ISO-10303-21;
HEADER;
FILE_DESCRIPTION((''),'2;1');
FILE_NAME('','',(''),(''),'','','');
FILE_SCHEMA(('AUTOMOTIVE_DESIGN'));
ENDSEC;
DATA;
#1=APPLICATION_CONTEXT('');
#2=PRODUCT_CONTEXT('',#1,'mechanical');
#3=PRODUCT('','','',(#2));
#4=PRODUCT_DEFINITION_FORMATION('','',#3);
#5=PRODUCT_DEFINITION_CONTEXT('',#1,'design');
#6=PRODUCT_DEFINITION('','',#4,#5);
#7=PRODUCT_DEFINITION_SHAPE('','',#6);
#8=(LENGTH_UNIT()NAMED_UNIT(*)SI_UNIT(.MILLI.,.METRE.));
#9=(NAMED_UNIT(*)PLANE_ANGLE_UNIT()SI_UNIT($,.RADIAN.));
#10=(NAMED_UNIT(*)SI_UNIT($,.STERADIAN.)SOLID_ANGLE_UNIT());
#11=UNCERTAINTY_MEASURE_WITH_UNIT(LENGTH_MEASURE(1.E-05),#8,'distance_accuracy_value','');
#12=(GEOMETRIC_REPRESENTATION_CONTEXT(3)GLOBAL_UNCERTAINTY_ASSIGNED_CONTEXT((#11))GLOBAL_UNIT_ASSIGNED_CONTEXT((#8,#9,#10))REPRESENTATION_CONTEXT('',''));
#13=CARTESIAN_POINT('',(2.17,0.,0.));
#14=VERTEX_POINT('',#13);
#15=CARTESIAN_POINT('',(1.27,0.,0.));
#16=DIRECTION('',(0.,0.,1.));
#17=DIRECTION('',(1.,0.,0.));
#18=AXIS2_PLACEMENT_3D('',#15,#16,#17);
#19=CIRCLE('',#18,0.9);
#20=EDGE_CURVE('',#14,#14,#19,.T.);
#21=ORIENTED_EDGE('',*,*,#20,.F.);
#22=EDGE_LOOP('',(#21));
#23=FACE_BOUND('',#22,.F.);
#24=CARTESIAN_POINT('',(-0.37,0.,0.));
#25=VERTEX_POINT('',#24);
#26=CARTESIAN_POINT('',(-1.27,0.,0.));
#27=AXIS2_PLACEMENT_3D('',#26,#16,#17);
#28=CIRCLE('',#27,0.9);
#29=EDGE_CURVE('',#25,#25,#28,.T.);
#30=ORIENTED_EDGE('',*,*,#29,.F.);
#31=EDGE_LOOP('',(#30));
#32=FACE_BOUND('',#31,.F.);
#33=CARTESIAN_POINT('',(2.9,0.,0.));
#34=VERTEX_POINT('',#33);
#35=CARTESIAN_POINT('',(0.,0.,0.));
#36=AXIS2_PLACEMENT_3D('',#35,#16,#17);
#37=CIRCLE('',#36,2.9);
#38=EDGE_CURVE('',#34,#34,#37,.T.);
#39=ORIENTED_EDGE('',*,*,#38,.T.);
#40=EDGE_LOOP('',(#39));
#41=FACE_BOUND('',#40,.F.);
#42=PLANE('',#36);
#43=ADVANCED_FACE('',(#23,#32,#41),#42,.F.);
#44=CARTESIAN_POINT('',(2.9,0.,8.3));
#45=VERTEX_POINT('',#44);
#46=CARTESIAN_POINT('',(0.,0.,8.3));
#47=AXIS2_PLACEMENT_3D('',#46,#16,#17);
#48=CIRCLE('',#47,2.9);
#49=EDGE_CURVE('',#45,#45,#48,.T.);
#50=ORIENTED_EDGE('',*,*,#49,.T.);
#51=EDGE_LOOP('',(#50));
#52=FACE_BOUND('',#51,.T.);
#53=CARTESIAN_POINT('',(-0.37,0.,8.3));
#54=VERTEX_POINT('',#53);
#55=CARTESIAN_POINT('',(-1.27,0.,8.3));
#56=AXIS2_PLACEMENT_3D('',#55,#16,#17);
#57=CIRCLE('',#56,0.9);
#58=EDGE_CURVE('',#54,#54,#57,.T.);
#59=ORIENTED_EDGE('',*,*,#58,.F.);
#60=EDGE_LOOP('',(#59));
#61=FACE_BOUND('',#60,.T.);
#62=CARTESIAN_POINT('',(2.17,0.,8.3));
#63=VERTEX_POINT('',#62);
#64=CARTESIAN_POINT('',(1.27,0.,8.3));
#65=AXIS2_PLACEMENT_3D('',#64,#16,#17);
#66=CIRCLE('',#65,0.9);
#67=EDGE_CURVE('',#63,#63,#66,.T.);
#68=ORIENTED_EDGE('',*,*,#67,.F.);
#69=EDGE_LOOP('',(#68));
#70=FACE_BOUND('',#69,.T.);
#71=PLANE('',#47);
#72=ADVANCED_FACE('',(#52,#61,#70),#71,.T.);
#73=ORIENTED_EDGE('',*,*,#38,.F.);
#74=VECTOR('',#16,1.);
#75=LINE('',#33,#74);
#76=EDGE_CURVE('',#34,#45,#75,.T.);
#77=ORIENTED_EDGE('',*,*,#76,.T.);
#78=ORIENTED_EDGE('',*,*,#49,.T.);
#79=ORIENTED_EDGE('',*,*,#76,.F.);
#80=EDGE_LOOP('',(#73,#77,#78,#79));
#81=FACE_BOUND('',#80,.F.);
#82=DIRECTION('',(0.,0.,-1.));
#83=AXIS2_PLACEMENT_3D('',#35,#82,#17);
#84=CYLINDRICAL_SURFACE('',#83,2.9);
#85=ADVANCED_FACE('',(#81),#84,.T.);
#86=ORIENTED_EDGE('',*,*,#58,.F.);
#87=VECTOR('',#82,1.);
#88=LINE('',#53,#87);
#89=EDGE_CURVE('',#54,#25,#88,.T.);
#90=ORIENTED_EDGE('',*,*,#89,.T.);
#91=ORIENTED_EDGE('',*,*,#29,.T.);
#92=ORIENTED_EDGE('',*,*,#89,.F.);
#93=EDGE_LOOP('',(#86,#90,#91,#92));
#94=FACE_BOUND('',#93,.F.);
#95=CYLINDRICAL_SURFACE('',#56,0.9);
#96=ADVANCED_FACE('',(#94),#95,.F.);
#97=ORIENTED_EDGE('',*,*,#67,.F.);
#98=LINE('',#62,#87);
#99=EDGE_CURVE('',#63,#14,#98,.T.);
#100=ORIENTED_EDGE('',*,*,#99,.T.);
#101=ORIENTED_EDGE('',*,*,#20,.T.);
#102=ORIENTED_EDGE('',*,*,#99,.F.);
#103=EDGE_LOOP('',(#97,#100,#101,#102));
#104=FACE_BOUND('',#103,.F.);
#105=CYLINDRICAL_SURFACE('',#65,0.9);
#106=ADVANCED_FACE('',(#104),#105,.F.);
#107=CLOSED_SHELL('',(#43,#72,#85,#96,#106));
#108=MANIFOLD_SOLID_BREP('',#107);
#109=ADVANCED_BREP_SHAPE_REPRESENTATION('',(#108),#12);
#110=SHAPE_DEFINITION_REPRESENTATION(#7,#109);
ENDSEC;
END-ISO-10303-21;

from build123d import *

# Parameters (mm, degrees)
SKETCH_R     = 2.9
PAD_DEPTH    = 8.3
SKETCH001_R  = 0.9
POCKET_DEPTH = 10


with BuildPart() as part:
    # Sketch → Pad (new body)
    with BuildSketch(Plane.XY):
        Circle(SKETCH_R)
    extrude(amount=PAD_DEPTH)

    # Sketch001 (on Face3 of Pad) → Pocket (cut)
    with BuildSketch(Plane.XY.offset(8.3)):
        with Locations((-1.27, 0)):
            Circle(SKETCH001_R)
        with Locations((1.27, 0)):
            Circle(SKETCH001_R)
    extrude(amount=-POCKET_DEPTH, mode=Mode.SUBTRACT)


solid = part.part
